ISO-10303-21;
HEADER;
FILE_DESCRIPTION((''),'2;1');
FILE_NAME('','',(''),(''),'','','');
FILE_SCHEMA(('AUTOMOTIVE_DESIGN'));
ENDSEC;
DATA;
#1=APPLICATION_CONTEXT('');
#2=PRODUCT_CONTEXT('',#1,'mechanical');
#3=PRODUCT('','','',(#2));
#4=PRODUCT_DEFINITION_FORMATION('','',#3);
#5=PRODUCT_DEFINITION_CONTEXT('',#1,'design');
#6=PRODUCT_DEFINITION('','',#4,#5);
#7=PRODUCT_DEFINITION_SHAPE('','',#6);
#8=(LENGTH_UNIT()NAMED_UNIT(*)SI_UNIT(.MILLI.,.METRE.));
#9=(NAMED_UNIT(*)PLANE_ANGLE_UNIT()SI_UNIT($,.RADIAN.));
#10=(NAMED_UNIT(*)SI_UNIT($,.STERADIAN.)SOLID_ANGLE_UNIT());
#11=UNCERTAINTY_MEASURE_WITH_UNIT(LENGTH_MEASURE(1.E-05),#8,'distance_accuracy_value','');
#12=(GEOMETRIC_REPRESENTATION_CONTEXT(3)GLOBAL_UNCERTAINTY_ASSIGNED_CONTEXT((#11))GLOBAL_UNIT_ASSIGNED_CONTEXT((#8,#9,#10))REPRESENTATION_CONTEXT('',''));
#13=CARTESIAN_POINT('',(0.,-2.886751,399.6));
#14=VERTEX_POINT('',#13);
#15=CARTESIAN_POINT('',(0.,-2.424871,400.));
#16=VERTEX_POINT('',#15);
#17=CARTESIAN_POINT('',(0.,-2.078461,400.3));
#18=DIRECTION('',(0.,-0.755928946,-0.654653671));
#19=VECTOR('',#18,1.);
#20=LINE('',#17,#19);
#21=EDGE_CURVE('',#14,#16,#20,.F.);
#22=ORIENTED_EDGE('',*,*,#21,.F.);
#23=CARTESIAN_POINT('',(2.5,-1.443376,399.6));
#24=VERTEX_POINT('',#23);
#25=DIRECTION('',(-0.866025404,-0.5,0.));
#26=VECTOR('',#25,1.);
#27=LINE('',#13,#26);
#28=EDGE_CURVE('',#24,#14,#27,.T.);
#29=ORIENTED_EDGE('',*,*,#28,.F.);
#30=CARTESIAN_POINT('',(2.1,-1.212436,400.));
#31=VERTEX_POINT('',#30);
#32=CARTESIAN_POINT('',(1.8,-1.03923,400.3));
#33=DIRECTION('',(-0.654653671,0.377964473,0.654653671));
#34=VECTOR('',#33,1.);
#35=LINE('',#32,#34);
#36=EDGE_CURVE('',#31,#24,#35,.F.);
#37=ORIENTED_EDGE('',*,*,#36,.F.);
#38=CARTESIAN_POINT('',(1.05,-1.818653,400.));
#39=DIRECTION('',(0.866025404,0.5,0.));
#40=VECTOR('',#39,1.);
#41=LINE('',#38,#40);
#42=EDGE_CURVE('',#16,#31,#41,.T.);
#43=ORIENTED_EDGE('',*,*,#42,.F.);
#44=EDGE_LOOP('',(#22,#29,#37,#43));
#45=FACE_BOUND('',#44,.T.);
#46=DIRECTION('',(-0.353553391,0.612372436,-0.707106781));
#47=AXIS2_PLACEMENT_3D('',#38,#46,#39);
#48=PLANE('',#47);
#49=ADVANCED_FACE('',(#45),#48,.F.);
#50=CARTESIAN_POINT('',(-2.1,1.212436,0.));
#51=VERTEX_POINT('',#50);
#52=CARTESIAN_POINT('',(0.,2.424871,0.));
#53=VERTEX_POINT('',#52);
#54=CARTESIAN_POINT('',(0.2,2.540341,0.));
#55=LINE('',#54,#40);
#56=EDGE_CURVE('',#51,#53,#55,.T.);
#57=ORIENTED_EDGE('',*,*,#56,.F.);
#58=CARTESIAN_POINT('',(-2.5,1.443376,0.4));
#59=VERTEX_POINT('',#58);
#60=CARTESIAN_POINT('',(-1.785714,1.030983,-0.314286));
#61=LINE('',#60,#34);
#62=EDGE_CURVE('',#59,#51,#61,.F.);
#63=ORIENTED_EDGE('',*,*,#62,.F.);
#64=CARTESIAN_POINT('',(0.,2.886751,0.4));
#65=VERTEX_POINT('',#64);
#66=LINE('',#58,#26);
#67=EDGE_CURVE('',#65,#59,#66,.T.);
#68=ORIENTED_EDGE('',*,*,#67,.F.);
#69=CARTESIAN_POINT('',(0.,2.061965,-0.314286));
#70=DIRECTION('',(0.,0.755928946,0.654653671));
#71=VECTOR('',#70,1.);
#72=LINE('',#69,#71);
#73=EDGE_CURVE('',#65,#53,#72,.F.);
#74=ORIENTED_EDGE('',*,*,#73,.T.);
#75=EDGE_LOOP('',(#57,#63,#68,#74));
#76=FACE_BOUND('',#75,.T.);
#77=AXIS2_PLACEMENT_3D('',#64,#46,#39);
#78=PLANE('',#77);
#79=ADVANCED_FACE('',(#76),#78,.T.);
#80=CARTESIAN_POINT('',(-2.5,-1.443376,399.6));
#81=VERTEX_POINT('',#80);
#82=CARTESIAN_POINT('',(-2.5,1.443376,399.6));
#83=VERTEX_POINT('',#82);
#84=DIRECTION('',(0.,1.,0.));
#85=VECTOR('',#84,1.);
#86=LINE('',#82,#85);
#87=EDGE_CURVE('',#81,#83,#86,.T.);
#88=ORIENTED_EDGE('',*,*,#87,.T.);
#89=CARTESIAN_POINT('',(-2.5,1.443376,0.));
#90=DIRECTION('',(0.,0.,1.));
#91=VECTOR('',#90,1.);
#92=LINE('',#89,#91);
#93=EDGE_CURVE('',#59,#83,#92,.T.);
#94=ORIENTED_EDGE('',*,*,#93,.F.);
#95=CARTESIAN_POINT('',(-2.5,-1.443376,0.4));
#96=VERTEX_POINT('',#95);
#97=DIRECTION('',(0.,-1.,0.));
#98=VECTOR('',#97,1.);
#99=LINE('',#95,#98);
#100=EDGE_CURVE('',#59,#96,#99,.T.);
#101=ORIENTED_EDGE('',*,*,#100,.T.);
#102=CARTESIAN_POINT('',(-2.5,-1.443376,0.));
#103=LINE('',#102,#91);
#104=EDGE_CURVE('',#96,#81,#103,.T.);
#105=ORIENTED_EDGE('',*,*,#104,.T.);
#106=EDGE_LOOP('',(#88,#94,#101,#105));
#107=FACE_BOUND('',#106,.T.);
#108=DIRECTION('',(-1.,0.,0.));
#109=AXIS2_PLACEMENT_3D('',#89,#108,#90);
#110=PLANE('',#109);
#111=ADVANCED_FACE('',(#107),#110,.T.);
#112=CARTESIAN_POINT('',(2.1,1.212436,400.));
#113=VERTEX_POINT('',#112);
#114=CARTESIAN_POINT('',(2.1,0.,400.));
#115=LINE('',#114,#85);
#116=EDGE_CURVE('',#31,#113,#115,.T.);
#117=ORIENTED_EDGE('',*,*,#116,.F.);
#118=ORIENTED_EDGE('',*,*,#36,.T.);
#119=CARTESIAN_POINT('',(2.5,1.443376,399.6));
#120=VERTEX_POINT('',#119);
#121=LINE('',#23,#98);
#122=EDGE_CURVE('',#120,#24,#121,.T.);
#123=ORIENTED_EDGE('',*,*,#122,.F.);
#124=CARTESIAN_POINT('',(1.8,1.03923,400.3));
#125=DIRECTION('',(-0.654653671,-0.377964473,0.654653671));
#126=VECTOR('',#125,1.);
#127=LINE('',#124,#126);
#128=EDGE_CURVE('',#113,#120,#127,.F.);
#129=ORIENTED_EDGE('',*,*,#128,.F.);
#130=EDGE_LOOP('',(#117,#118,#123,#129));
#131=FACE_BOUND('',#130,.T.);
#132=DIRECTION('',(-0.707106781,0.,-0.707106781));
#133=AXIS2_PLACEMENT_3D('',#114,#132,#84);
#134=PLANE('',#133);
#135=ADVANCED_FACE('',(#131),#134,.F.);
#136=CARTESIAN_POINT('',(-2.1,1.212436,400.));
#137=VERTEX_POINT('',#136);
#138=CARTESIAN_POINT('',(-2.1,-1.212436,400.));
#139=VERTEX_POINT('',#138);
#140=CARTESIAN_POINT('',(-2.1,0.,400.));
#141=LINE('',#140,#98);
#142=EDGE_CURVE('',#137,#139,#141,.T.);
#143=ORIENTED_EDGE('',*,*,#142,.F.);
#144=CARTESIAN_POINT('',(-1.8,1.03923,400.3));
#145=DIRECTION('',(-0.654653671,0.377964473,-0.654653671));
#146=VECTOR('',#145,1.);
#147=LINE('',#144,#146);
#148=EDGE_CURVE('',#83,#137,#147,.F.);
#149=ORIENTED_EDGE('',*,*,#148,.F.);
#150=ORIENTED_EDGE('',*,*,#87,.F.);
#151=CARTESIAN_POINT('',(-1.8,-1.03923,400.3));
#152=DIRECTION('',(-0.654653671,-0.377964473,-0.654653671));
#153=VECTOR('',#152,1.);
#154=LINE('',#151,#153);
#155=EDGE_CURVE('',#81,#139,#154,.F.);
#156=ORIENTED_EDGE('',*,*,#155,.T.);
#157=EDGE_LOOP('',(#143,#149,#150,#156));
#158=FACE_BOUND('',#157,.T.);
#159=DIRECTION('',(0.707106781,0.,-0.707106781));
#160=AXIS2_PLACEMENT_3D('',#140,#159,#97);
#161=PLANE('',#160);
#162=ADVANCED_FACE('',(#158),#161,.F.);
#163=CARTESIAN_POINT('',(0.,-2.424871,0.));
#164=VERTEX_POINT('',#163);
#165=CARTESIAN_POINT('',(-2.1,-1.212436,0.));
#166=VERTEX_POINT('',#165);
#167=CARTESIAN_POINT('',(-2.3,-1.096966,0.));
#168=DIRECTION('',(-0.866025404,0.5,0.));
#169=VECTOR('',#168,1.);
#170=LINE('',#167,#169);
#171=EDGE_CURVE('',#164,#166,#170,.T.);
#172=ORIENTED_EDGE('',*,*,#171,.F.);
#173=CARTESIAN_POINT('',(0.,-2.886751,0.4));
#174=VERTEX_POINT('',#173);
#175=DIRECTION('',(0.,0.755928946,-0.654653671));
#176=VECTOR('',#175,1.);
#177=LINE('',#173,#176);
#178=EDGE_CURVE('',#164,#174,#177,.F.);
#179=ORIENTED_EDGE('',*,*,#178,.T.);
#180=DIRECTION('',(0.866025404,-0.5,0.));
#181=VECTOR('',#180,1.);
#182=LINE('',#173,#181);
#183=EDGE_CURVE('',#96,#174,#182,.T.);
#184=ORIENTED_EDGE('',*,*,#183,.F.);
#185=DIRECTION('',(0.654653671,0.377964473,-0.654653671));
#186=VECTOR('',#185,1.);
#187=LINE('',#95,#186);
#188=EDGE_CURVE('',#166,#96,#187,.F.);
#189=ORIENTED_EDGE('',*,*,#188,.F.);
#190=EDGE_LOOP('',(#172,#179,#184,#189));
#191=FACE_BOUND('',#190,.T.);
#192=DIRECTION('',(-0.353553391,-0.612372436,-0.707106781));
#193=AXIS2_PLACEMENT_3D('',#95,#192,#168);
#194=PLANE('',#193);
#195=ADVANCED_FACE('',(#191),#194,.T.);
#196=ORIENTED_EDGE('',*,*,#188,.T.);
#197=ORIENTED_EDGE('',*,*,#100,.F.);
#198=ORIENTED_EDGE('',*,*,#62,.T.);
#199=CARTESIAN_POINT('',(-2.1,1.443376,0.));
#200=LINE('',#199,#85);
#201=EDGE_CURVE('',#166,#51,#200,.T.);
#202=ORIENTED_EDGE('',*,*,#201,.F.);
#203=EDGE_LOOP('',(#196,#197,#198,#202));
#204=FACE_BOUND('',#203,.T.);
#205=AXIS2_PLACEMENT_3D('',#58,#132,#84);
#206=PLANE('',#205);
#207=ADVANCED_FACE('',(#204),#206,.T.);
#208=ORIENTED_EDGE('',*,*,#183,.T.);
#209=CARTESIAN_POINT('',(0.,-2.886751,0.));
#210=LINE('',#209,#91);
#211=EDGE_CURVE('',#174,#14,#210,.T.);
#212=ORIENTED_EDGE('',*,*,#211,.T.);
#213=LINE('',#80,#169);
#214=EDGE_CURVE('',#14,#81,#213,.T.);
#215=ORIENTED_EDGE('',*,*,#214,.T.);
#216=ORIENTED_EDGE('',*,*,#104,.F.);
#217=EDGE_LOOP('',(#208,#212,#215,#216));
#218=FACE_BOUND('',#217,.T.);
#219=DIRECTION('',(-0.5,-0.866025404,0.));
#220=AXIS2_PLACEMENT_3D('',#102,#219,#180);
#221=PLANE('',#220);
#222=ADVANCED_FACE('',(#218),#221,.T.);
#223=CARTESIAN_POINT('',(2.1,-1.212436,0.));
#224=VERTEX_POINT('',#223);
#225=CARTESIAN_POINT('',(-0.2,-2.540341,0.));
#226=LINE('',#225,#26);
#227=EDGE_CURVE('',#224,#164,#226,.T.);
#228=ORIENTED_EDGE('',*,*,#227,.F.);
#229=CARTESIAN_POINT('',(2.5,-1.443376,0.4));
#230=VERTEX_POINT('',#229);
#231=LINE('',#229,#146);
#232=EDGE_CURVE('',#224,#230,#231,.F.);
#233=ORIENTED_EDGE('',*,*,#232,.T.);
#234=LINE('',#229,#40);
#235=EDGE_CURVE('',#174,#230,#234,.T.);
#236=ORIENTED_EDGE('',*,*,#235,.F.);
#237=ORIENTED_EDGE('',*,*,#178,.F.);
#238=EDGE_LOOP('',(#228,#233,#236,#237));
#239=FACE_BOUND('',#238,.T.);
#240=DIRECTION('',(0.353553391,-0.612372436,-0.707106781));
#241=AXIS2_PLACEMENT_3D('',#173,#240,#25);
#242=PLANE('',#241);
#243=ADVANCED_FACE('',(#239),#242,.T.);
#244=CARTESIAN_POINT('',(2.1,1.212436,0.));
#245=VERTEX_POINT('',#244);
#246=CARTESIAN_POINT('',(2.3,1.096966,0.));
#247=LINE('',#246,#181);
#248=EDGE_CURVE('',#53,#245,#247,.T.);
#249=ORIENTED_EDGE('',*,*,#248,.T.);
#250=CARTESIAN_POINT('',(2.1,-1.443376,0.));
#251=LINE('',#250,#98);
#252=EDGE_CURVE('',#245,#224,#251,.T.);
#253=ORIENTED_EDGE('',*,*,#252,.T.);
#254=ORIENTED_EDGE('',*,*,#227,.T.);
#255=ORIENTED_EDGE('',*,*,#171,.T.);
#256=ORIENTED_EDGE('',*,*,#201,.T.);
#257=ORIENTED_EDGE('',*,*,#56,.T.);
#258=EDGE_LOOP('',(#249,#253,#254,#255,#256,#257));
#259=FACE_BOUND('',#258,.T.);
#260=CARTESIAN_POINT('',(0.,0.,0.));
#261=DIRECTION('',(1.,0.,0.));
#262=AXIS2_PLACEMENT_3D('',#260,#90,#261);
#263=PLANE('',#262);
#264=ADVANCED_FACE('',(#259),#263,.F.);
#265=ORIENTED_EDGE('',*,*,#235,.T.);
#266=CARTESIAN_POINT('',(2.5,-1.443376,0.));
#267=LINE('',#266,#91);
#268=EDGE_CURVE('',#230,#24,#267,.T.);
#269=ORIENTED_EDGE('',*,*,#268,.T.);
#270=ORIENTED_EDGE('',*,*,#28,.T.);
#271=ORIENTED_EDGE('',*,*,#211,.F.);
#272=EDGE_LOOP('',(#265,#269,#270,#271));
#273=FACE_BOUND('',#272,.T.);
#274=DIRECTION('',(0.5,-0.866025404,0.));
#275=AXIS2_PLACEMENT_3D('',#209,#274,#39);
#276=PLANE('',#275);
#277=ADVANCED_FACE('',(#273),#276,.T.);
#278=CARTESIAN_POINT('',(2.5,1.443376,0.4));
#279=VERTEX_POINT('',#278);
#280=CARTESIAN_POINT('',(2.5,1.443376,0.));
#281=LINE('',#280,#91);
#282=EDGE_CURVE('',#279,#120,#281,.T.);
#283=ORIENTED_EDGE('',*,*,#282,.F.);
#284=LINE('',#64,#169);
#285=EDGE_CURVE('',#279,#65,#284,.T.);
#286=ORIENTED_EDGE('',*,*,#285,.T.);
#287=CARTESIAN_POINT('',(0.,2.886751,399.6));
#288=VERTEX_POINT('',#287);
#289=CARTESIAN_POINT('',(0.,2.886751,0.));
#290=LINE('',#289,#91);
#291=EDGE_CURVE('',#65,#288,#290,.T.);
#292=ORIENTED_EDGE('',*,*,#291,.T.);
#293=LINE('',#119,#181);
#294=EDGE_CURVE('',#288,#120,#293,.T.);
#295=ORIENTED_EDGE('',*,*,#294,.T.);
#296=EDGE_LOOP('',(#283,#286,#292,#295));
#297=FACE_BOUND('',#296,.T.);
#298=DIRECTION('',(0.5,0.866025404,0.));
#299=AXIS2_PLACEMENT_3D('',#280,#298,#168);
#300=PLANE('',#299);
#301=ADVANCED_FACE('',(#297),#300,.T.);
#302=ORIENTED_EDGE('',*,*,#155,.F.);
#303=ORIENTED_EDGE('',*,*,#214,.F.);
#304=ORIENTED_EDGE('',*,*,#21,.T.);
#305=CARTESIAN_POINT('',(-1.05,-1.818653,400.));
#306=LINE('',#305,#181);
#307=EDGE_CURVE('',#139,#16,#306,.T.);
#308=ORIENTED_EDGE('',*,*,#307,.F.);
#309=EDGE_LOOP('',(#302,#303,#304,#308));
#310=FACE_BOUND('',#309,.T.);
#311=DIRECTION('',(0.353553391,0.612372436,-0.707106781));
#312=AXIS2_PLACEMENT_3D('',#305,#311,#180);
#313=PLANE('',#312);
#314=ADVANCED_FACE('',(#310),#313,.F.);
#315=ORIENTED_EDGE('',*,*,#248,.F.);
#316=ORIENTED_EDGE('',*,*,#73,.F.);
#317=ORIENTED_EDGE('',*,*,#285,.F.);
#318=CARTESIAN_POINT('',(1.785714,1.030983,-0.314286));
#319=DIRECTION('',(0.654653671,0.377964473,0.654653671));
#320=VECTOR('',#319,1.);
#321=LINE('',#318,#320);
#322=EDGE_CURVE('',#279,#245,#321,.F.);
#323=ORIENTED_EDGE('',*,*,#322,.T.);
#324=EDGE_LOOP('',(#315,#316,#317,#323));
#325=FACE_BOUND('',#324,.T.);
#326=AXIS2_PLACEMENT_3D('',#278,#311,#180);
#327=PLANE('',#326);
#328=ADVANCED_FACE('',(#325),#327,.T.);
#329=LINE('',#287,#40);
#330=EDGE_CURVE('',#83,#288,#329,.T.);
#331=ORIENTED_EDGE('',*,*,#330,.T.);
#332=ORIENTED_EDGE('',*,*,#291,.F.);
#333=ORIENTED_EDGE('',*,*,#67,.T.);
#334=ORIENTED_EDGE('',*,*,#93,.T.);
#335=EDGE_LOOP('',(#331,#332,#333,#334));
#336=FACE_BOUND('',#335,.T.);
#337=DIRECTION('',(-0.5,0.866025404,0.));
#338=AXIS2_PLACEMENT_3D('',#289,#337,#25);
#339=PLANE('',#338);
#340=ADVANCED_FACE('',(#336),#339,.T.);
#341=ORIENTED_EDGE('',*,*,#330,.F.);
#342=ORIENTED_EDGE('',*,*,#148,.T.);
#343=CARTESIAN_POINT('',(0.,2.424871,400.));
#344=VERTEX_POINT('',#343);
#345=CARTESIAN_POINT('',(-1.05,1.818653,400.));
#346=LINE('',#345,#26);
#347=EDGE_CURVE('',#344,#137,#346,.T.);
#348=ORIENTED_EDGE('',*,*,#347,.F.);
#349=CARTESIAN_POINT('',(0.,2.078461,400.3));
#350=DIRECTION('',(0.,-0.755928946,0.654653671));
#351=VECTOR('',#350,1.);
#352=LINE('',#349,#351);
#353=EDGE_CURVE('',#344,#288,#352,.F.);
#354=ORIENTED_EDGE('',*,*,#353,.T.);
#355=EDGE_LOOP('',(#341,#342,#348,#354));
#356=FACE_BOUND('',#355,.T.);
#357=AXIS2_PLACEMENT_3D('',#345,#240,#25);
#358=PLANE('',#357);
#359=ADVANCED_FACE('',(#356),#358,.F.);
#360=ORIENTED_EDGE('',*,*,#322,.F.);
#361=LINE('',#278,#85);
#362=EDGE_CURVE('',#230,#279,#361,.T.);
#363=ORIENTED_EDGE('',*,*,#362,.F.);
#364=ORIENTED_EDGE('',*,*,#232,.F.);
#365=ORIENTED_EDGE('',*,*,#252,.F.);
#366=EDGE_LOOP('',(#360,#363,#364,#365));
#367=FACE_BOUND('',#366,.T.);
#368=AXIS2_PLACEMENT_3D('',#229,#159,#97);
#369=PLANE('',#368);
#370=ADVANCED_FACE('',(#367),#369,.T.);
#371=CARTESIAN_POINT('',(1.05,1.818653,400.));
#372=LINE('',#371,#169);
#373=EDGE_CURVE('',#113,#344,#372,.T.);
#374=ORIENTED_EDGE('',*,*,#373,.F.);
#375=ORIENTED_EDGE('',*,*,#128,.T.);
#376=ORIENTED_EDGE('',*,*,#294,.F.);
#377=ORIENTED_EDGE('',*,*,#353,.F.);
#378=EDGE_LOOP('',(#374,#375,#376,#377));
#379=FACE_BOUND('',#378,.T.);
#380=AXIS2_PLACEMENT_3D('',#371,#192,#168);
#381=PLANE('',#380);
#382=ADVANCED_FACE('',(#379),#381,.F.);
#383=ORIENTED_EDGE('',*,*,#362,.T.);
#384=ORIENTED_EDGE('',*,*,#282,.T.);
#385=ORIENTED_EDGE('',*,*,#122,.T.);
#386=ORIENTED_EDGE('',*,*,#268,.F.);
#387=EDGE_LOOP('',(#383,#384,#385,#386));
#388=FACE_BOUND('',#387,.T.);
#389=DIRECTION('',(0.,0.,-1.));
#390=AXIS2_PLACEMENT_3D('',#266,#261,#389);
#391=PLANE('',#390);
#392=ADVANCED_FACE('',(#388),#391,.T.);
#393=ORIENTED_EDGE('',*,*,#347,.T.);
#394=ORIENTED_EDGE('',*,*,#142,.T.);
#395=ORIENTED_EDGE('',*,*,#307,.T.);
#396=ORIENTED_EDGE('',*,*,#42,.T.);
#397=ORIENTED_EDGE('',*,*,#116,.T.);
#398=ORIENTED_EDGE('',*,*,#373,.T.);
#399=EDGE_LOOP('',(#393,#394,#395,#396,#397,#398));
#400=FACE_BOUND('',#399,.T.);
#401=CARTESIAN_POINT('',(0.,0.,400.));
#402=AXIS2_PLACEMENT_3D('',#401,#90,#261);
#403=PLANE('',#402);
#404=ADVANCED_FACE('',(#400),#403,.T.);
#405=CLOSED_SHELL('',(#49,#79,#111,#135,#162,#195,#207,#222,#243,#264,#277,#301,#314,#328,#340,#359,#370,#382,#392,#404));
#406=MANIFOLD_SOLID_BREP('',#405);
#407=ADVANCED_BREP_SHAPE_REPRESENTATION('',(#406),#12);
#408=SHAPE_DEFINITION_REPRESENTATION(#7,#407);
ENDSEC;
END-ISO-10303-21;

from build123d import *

# Parameters (mm, degrees)
BOSS_EXTRUDE1_DEPTH = 400
CHAMFER1_SIZE       = 0.4


with BuildPart() as part:
    # Sketch1 → Boss-Extrude1 (new body)
    with BuildSketch(Plane.XY.offset(400)):
        Polygon((0, -2.886751346), (2.5, -1.443375673), (2.5, 1.443375673), (0, 2.886751346), (-2.5, 1.443375673), (-2.5, -1.443375673), align=None)
    extrude(amount=-BOSS_EXTRUDE1_DEPTH)

    # Chamfer1
    chamfer1_edges = [part.edges().sort_by_distance(p)[0] for p in [
        (2.5, 0, 0),
        (1.25, 2.165063509, 0),
        (-1.25, 2.165063509, 0),
        (-2.5, 0, 0),
        (-1.25, -2.165063509, 0),
        (-2.5, 0, 400),
        (-1.25, 2.165063509, 400),
        (1.25, 2.165063509, 400),
        (1.25, -2.165063509, 0),
        (2.5, 0, 400),
        (1.25, -2.165063509, 400),
        (-1.25, -2.165063509, 400),
    ]]
    chamfer(chamfer1_edges, length=CHAMFER1_SIZE)


solid = part.part
